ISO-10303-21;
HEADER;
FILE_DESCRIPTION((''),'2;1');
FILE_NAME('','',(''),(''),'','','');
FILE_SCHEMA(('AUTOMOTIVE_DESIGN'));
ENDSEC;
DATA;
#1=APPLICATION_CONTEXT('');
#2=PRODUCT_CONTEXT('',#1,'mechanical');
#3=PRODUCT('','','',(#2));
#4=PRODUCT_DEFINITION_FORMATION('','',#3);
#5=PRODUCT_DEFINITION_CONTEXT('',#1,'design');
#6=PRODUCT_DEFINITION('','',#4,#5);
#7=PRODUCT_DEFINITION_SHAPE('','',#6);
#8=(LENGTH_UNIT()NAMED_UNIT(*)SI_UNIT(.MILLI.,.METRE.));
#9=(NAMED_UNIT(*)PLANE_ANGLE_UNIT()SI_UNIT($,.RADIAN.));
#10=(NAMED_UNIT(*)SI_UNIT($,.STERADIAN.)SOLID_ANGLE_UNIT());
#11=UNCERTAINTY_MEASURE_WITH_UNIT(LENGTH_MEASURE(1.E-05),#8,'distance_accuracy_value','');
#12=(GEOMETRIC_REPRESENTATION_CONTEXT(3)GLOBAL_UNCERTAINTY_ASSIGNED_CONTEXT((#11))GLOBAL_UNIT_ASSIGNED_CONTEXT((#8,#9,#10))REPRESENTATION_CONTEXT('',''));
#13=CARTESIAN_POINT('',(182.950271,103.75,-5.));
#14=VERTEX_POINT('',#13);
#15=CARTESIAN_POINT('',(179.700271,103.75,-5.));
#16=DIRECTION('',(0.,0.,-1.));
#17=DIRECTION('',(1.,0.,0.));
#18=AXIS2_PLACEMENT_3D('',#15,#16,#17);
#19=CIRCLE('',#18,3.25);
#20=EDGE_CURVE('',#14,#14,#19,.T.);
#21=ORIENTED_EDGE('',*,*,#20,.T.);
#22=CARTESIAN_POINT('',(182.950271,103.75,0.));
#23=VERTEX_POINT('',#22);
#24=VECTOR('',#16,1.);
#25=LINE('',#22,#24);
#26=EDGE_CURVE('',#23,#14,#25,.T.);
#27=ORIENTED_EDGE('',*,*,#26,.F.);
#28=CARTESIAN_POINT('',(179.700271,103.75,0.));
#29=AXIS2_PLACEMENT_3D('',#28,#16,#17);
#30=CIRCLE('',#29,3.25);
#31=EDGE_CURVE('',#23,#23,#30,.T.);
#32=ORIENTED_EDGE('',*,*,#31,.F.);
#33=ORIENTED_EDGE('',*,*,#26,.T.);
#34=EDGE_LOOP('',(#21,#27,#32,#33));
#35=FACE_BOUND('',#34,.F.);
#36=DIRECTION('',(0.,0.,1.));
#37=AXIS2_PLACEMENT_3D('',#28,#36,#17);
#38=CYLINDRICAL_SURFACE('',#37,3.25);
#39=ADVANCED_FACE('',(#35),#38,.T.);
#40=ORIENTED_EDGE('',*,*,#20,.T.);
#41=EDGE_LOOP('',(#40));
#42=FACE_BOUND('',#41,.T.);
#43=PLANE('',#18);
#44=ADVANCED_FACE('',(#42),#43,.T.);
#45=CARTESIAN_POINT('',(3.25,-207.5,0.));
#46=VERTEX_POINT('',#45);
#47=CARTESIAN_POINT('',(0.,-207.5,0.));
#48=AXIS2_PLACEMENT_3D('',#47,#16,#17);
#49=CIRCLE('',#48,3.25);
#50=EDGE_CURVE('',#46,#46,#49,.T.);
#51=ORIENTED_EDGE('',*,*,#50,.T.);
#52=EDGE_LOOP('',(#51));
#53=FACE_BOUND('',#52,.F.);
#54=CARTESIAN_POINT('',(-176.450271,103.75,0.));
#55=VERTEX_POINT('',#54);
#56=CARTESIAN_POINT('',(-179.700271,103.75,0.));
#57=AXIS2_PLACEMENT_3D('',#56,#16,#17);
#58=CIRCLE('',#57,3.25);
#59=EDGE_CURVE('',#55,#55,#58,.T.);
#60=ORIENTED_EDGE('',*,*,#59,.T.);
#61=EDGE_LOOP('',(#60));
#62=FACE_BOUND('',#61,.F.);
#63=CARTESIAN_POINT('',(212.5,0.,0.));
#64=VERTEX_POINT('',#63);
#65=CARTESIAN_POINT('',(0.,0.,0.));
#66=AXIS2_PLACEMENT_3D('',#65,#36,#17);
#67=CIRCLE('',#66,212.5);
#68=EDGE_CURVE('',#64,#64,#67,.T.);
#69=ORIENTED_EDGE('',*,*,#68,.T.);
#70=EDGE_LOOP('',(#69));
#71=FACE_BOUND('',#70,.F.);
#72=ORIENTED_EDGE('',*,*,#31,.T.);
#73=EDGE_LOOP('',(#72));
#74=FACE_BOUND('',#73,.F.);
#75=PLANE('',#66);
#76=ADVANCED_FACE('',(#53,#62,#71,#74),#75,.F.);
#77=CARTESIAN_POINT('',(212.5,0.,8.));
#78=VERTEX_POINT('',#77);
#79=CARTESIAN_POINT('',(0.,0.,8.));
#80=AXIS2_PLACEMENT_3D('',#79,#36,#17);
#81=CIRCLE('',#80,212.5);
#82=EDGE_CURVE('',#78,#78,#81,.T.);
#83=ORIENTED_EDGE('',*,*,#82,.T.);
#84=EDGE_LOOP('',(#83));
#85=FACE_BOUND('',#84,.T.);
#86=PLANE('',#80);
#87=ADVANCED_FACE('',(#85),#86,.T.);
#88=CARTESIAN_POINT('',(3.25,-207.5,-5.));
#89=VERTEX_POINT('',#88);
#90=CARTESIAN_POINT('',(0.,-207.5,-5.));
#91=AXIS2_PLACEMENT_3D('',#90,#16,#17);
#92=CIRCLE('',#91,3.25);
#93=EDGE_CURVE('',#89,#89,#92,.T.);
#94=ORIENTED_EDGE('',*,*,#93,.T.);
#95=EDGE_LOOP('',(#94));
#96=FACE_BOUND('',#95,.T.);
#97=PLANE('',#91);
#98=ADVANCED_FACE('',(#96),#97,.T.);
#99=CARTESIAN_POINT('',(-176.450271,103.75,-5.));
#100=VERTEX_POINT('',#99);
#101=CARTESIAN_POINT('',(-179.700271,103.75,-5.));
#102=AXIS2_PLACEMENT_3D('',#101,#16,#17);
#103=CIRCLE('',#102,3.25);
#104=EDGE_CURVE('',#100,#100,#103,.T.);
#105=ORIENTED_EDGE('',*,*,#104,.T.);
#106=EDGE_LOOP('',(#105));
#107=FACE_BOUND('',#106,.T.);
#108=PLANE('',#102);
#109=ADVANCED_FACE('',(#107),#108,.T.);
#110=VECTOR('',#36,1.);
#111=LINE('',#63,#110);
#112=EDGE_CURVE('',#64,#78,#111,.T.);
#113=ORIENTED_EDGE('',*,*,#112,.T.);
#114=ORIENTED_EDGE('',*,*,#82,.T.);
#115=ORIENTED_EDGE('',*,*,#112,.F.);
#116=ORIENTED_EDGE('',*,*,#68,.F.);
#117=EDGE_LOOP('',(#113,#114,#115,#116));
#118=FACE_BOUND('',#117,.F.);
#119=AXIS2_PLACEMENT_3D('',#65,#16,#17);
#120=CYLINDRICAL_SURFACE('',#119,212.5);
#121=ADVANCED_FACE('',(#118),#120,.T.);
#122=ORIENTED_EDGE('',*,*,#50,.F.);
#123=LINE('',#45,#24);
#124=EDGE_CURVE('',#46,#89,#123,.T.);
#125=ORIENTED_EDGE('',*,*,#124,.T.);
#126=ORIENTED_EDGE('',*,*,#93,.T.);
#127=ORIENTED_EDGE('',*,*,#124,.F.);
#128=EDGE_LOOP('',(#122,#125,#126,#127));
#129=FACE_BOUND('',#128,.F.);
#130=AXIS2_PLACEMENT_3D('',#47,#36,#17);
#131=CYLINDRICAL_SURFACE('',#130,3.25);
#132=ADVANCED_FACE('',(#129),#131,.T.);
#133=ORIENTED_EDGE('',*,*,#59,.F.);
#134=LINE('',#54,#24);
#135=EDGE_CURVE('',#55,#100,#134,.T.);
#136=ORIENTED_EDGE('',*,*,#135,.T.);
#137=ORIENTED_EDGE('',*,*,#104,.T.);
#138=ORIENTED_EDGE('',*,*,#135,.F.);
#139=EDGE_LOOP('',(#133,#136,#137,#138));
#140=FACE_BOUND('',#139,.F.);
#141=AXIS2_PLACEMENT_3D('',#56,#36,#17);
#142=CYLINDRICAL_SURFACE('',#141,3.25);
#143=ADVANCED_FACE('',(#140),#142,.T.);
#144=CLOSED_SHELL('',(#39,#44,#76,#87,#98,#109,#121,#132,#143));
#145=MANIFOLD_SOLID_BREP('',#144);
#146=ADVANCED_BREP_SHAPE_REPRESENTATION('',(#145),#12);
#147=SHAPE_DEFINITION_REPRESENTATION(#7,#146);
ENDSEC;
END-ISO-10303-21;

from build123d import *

# Parameters (mm, degrees)
F0_R     = 212.5
F1_DEPTH = 8
F2_R     = 3.25
F3_DEPTH = 5


with BuildPart() as f1:
    # F0 (on Top) → F1 (new body)
    with BuildSketch(Plane.XY):
        Circle(F0_R)
    extrude(amount=F1_DEPTH)

    # F2 (on face) → F3 (join)
    with BuildSketch(Plane(origin=(0, 0, 0), x_dir=(1, 0, 0), z_dir=(0, 0, -1))):
        with Locations((0, 207.5)):
            Circle(F2_R)
        with Locations((-179.700271, -103.75)):
            Circle(F2_R)
        with Locations((179.700271, -103.75)):
            Circle(F2_R)
    extrude(amount=F3_DEPTH)


solid = f1.part
